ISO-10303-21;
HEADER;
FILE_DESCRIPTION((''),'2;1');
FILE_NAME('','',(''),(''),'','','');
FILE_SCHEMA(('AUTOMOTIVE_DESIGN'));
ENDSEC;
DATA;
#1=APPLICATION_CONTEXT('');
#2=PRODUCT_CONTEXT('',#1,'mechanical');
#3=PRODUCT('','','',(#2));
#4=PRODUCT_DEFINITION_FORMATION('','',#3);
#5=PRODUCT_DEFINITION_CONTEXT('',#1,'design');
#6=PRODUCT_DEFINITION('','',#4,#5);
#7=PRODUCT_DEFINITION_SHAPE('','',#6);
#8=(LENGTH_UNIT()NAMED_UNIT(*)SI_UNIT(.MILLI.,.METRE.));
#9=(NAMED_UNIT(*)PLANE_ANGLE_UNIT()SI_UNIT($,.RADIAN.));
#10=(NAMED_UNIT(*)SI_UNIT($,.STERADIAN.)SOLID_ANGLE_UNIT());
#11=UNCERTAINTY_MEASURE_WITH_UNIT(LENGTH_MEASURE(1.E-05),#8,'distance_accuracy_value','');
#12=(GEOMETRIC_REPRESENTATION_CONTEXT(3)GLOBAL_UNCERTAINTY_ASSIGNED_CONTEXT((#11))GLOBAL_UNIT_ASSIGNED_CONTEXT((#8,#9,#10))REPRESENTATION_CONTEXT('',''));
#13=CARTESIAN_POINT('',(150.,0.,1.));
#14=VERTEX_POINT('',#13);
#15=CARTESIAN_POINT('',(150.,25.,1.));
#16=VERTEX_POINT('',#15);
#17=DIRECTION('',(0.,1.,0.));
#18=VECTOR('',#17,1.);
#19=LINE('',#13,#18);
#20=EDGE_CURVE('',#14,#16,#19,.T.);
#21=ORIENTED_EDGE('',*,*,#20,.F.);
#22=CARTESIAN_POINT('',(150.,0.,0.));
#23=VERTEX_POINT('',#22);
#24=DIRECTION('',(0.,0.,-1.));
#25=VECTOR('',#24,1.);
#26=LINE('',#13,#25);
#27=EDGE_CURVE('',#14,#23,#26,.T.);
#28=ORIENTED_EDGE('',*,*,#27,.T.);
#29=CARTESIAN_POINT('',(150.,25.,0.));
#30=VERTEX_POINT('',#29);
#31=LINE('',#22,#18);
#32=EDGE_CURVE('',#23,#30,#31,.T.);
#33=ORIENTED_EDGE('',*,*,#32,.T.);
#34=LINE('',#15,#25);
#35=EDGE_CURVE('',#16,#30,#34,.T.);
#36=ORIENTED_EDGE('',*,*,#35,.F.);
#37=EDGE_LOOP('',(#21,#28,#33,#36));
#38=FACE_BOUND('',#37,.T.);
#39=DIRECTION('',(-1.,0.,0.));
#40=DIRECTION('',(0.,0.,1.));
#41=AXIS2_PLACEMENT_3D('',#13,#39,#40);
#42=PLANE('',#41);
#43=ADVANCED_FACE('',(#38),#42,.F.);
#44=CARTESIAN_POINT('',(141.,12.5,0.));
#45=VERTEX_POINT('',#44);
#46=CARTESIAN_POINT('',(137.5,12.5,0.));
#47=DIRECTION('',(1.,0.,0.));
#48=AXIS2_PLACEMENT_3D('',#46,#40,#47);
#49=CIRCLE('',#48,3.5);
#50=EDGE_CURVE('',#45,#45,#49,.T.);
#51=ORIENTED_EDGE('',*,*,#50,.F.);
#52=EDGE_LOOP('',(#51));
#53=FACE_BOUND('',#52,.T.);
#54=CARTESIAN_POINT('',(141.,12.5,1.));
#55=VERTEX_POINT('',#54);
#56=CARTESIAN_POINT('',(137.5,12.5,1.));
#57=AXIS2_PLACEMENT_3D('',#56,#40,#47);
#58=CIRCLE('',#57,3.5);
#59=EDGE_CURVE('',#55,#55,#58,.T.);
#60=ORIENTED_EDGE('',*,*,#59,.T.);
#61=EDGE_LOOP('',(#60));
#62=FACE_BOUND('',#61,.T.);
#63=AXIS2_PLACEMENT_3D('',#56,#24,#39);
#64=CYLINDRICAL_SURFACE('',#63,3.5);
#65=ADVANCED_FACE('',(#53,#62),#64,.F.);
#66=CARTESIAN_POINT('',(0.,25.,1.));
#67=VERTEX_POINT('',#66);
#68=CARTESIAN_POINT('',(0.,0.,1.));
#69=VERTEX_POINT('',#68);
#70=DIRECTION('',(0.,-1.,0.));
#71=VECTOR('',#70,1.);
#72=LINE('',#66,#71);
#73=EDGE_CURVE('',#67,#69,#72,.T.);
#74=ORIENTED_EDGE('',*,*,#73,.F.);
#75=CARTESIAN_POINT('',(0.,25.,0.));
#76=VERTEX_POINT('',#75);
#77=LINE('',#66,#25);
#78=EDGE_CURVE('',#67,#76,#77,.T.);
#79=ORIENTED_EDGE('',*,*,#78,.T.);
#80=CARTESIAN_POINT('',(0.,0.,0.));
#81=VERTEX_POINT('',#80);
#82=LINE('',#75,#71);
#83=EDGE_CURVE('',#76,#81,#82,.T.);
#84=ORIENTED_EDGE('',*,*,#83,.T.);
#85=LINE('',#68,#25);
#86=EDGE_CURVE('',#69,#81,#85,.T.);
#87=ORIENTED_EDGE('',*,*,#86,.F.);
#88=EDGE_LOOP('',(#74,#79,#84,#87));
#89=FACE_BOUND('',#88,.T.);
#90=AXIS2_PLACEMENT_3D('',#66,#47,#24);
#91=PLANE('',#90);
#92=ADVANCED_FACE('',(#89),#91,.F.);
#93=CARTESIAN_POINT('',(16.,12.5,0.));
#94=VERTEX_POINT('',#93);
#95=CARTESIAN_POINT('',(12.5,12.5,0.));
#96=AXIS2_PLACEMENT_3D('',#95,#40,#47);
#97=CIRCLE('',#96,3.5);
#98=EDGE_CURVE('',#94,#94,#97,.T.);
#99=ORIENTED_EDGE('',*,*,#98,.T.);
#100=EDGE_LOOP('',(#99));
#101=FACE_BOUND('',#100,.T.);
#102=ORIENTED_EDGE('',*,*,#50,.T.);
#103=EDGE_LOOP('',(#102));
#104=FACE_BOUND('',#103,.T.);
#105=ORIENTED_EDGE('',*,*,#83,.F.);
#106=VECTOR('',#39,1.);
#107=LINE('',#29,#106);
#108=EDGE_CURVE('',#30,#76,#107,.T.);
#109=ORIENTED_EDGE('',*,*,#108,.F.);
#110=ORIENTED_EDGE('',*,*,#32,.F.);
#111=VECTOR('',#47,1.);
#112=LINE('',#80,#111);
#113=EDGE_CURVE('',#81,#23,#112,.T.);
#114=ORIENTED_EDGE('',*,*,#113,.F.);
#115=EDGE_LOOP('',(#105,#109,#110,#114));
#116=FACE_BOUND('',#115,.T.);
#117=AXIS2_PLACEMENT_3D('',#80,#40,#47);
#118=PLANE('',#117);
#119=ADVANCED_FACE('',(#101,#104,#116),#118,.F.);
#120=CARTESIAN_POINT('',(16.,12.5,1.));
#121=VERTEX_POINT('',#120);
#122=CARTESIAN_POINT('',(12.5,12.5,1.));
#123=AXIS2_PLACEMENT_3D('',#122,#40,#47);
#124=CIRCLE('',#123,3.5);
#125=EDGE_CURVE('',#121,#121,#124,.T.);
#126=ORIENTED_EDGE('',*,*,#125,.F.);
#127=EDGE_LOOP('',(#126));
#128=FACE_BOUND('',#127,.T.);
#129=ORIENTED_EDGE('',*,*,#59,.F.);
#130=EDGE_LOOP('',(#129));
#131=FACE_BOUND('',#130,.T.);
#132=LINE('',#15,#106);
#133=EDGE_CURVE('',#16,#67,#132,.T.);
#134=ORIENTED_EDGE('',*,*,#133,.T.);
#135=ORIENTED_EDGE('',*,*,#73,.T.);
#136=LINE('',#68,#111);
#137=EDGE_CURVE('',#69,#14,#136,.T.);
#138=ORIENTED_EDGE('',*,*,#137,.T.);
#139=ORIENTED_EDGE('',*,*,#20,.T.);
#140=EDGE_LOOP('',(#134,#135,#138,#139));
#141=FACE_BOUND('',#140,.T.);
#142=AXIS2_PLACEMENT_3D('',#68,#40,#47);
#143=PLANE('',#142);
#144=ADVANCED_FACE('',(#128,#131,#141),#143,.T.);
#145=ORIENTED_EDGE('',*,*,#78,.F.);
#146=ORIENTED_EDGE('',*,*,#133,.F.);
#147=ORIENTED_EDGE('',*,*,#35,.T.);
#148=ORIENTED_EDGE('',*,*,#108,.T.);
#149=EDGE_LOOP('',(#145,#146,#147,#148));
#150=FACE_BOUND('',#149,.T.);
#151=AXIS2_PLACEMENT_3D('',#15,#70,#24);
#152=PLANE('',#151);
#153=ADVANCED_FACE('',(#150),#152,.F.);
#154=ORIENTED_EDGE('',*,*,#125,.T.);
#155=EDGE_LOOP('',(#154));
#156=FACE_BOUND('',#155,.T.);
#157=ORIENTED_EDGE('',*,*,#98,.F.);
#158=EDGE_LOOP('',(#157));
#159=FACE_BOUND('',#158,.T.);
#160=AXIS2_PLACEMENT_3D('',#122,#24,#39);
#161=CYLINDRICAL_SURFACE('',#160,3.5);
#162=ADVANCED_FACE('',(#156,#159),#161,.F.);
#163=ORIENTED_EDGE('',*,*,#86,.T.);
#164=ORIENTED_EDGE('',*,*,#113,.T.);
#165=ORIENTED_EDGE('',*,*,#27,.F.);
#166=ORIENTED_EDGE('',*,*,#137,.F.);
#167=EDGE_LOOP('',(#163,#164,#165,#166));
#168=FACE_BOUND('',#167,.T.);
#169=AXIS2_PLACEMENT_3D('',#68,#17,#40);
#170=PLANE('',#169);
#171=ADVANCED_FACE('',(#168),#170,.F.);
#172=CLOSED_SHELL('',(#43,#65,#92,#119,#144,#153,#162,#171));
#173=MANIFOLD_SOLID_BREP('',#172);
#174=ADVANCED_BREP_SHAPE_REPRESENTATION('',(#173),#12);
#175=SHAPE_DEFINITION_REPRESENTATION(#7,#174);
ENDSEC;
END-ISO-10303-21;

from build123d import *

# Parameters (mm, degrees)
CROQUIS1_W              = 150
CROQUIS1_H              = 25
CROQUIS1_R              = 3.5
SALIENTE_EXTRUIR1_DEPTH = 1


with BuildPart() as part:
    # Croquis1 → Saliente-Extruir1 (new body)
    with BuildSketch(Plane.XY):
        with Locations((75, 12.5)):
            Rectangle(CROQUIS1_W, CROQUIS1_H)
        with Locations((12.5, 12.5)):
            Circle(CROQUIS1_R, mode=Mode.SUBTRACT)
        with Locations((137.5, 12.5)):
            Circle(CROQUIS1_R, mode=Mode.SUBTRACT)
    extrude(amount=SALIENTE_EXTRUIR1_DEPTH)


solid = part.part
